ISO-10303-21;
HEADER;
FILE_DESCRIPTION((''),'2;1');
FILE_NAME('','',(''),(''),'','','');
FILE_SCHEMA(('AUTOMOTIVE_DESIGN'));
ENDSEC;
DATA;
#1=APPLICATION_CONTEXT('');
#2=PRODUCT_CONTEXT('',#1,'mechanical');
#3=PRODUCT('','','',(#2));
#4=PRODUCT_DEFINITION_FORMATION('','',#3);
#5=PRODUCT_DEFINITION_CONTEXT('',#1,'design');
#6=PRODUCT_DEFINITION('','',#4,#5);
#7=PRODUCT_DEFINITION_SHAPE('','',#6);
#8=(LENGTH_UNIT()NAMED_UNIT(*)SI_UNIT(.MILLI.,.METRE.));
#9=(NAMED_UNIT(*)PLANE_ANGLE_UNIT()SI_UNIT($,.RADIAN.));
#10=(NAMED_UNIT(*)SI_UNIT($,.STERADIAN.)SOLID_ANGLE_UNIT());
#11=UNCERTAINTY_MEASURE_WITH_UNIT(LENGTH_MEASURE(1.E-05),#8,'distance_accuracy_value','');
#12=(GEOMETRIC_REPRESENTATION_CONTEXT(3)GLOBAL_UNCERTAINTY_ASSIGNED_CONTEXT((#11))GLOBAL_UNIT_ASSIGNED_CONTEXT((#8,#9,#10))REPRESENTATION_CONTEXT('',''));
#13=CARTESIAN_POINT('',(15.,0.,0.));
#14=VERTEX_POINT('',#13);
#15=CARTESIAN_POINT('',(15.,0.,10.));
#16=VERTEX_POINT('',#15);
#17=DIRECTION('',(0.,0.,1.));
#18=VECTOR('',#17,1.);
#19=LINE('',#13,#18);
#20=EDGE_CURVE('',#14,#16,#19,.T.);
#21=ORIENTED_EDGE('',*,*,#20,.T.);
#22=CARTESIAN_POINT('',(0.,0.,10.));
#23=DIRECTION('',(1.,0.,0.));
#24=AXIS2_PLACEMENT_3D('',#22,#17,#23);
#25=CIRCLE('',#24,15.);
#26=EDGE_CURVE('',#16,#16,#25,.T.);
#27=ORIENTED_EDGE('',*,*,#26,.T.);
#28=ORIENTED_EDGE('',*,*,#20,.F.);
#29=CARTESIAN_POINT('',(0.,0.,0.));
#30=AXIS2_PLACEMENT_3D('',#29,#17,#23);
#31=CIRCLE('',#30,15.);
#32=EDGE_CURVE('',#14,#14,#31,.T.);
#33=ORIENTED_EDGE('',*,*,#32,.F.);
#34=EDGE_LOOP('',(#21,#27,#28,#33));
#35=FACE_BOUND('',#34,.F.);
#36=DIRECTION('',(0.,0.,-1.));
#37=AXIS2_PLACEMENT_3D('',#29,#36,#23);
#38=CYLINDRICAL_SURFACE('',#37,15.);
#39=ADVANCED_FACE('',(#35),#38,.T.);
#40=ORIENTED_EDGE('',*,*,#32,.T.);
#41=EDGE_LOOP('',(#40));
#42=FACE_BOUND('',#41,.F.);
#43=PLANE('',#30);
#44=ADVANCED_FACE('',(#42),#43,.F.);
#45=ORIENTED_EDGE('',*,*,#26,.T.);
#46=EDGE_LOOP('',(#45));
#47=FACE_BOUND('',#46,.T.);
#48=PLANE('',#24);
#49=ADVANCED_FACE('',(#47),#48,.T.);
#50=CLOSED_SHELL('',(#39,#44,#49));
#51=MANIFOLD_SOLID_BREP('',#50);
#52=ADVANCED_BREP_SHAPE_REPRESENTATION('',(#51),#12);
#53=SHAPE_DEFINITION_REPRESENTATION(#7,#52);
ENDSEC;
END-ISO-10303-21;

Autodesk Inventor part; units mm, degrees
ref_plane "YZ Plane" through (0, 0, 0) normal (1, 0, 0) x (0, 1, 0)
ref_plane "XZ Plane" through (0, 0, 0) normal (0, 1, 0) x (-1, 0, 0)
ref_plane "XY Plane" through (0, 0, 0) normal (0, 0, 1) x (1, 0, 0)
sketch "Sketch1" plane through (0, 0, 0) normal (0, 0, 1) x (1, 0, 0)
  circle A0 centre (0, 0) radius 44.45
  circle A1 centre (0, 0) radius 41.45
  circle A2 centre (0, 0) radius 600
  circle A3 centre (144.9387, 540.9185) radius 100
  circle A4 centre (-144.9387, 540.9185) radius 100
  circle A5 centre (-395.9798, 395.9798) radius 100
  circle A6 centre (-540.9185, 144.9387) radius 100
  circle A7 centre (-540.9185, -144.9387) radius 100
  circle A8 centre (-395.9798, -395.9798) radius 100
  circle A9 centre (-144.9387, -540.9185) radius 100
  circle A10 centre (144.9387, -540.9185) radius 100
  circle A11 centre (395.9798, -395.9798) radius 100
  circle A12 centre (540.9185, -144.9387) radius 100
  circle A13 centre (230, 398.3717) radius 100
  circle A14 centre (0, 460) radius 100
  circle A15 centre (-230, 398.3717) radius 100
  circle A16 centre (-398.3717, 230) radius 100
  circle A17 centre (-460, 0) radius 100
  circle A18 centre (-398.3717, -230) radius 100
  circle A19 centre (-230, -398.3717) radius 100
  circle A20 centre (0, -460) radius 100
  circle A21 centre (230, -398.3717) radius 100
  circle A22 centre (398.3717, -230) radius 100
  circle A23 centre (-212.132, 212.132) radius 100
  circle A24 centre (-289.7777, 77.6457) radius 100
  circle A25 centre (-289.7777, -77.6457) radius 100
  circle A26 centre (-212.132, -212.132) radius 100
  circle A27 centre (-77.6457, -289.7777) radius 100
  circle A28 centre (77.6457, -289.7777) radius 100
  circle A29 centre (212.132, -212.132) radius 100
  circle A30 centre (289.7777, -77.6457) radius 100
  circle A31 centre (98.9949, 98.9949) radius 100
  circle A32 centre (289.7777, 77.6457) radius 100
  circle A33 centre (212.132, 212.132) radius 100
  circle A34 centre (-98.9949, 98.9949) radius 100
  circle A35 centre (-98.9949, -98.9949) radius 100
  circle A36 centre (98.9949, -98.9949) radius 100
  circle A37 centre (460, 0) radius 100
  circle A38 centre (398.3717, 230) radius 100
  circle A39 centre (77.6457, 289.7777) radius 100
  circle A40 centre (-77.6457, 289.7777) radius 100
  circle A41 centre (540.9185, 144.9387) radius 100
  circle A42 centre (395.9798, 395.9798) radius 100
  line L0 (0, 0) -> (-600, 0) construction
  line L1 (0, 0) -> (-540.9185, 144.9387) construction
  line L2 (-460, 0) -> (0, 0) construction
  line L3 (0, 0) -> (-289.7777, -77.6457) construction
  line L4 (-98.9949, -98.9949) -> (0, 0) construction
  dimension "d2" = 1200
  dimension "d0" = 88.9
  dimension "d1" = 3
  dimension "d5" = 360
  dimension "d9" = 360
  dimension "d11" = 200
  dimension "d14" = 360
  dimension "d18" = 360
  dimension "d20" = 15
  dimension "d21" = 0
  dimension "d22" = 15
  dimension "d23" = 45
  dimension "d24" = 140
  dimension "d25" = 300
  dimension "d26" = 460
  dimension "d27" = 560
sketch "Sketch2" plane through (0, 0, 0) normal (0, 0, 1) x (1, 0, 0)
  point P0 (0, 0)
  point P1 (-98.9949, -98.9949)
  point P2 (98.9949, -98.9949)
  point P3 (98.9949, 98.9949)
  point P4 (-98.9949, 98.9949)
  point P5 (-77.6457, 289.7777)
  point P6 (77.6457, 289.7777)
  point P7 (212.132, 212.132)
  point P8 (289.7777, 77.6457)
  point P9 (289.7777, -77.6457)
  point P10 (212.132, -212.132)
  point P11 (77.6457, -289.7777)
  point P12 (-77.6457, -289.7777)
  point P13 (0, -460)
  point P14 (230, -398.3717)
  point P15 (144.9387, -540.9185)
  point P16 (395.9798, -395.9798)
  point P17 (398.3717, -230)
  point P18 (540.9185, -144.9387)
  point P19 (460, 0)
  point P20 (540.9185, 144.9387)
  point P21 (398.3717, 230)
  point P22 (395.9798, 395.9798)
  point P23 (230, 398.3717)
  point P24 (144.9387, 540.9185)
  point P25 (0, 460)
  point P26 (-144.9387, 540.9185)
  point P27 (-230, 398.3717)
  point P28 (-212.132, 212.132)
  point P29 (-289.7777, 77.6457)
  point P30 (-289.7777, -77.6457)
  point P31 (-212.132, -212.132)
  point P32 (-398.3717, 230)
  point P33 (-395.9798, 395.9798)
  point P34 (-540.9185, 144.9387)
  point P35 (-460, 0)
  point P36 (-540.9185, -144.9387)
  point P37 (-398.3717, -230)
  point P38 (-395.9798, -395.9798)
  point P39 (-230, -398.3717)
  point P40 (-144.9387, -540.9185)
sketch "Sketch3" plane through (0, 0, 0) normal (0, 0, 1) x (1, 0, 0)
  circle A0 centre (0, 0) radius 15
  dimension "d28" = 30
extrude "Extrusion1" add sketch "Sketch3" along normal blind 10
sketch "Sketch4" plane through (0, 0, 0) normal (1, 0, 0) x (0, 1, 0)
  line L0 (606, 2056.7108) -> (600, 2056.7108)
  line L1 (600, 2056.7108) -> (600, 253.2892)
  line L2 (600, 253.2892) -> (606, 253.2892)
  line L3 (606, 253.2892) -> (606, 2056.7108)
  line L4 (0, 253.2892) -> (0, 1462.6576)
  line L5 (606, 253.2892) -> (606, 223.2892)
  arc A0 (552, 134.4973) -> (606, 223.2892) centre (506, 223.2892) ccw
  arc A1 (0, 0) -> (552, 134.4973) centre (0, 1200) ccw
  line L6 (0, 898.5253) -> (0, -391.9469)
  arc A2 (0, 6) -> (549.24, 139.8248) centre (0, 1200) ccw
  arc A3 (549.24, 139.8248) -> (600, 223.2892) centre (506, 223.2892) ccw
  line L7 (600, 223.2892) -> (600, 253.2892)
  line L8 (600, 253.2892) -> (606, 253.2892)
  line L9 (0, 6) -> (0, 0)
  line L10 (600, 2056.7108) -> (600, 2086.7108)
  arc A4 (600, 2086.7108) -> (549.24, 2170.1752) centre (506, 2086.7108) ccw
  arc A5 (549.24, 2170.1752) -> (0, 2304) centre (0, 1110) ccw
  line L11 (0, 2304) -> (0, 2310)
  arc A6 (552, 2175.5027) -> (0, 2310) centre (0, 1110) ccw
  arc A7 (606, 2086.7108) -> (552, 2175.5027) centre (506, 2086.7108) ccw
  line L12 (606, 2086.7108) -> (606, 2056.7108)
  line L13 (0, 2304) -> (0, 6)
  point P0 (0, 0)
  point P1 (600, 253.2892)
  point P2 (603, 253.2892)
  point P3 (0, 253.2892)
  point P4 (0, 253.2892)
  point P5 (0, 3)
  point P6 (0, 0)
  dimension "d31" = 6
  dimension "d32" = 1803.4216
  dimension "d33" = 1200
  dimension "d37" = 100
  dimension "d38" = 30
  dimension "d39" = 1200
  dimension "d40" = 6
  dimension "d41" = 1200
  dimension "d42" = 253.2892
revolve "Revolution1" [suppressed]
equation "\"d32\" = d35 - 2 * d36"
equation "\"d33\" = d34"
equation "\"d39\" = d41"
equation "\"MAIN_filter_diam\" = 1200"
equation "\"MAIN_hight\" = 2310"
equation "\"Accsess_hatch_lenght\" = 120"
equation "\"Accsess_hatch_diameter\" = 530"
equation "\"Charging_hatch_width\" = 400"
equation "\"Charging_hatch_hight\" = 180"
equation "\"Charging_hatch_lenght\" = 120"
equation "\"d35\" = 2310"
equation "\"d36\" = 253.289193"
equation "\"d34\" = 1200"
properties part number "PRS 940-81-01 DIM Filter column D1200"
